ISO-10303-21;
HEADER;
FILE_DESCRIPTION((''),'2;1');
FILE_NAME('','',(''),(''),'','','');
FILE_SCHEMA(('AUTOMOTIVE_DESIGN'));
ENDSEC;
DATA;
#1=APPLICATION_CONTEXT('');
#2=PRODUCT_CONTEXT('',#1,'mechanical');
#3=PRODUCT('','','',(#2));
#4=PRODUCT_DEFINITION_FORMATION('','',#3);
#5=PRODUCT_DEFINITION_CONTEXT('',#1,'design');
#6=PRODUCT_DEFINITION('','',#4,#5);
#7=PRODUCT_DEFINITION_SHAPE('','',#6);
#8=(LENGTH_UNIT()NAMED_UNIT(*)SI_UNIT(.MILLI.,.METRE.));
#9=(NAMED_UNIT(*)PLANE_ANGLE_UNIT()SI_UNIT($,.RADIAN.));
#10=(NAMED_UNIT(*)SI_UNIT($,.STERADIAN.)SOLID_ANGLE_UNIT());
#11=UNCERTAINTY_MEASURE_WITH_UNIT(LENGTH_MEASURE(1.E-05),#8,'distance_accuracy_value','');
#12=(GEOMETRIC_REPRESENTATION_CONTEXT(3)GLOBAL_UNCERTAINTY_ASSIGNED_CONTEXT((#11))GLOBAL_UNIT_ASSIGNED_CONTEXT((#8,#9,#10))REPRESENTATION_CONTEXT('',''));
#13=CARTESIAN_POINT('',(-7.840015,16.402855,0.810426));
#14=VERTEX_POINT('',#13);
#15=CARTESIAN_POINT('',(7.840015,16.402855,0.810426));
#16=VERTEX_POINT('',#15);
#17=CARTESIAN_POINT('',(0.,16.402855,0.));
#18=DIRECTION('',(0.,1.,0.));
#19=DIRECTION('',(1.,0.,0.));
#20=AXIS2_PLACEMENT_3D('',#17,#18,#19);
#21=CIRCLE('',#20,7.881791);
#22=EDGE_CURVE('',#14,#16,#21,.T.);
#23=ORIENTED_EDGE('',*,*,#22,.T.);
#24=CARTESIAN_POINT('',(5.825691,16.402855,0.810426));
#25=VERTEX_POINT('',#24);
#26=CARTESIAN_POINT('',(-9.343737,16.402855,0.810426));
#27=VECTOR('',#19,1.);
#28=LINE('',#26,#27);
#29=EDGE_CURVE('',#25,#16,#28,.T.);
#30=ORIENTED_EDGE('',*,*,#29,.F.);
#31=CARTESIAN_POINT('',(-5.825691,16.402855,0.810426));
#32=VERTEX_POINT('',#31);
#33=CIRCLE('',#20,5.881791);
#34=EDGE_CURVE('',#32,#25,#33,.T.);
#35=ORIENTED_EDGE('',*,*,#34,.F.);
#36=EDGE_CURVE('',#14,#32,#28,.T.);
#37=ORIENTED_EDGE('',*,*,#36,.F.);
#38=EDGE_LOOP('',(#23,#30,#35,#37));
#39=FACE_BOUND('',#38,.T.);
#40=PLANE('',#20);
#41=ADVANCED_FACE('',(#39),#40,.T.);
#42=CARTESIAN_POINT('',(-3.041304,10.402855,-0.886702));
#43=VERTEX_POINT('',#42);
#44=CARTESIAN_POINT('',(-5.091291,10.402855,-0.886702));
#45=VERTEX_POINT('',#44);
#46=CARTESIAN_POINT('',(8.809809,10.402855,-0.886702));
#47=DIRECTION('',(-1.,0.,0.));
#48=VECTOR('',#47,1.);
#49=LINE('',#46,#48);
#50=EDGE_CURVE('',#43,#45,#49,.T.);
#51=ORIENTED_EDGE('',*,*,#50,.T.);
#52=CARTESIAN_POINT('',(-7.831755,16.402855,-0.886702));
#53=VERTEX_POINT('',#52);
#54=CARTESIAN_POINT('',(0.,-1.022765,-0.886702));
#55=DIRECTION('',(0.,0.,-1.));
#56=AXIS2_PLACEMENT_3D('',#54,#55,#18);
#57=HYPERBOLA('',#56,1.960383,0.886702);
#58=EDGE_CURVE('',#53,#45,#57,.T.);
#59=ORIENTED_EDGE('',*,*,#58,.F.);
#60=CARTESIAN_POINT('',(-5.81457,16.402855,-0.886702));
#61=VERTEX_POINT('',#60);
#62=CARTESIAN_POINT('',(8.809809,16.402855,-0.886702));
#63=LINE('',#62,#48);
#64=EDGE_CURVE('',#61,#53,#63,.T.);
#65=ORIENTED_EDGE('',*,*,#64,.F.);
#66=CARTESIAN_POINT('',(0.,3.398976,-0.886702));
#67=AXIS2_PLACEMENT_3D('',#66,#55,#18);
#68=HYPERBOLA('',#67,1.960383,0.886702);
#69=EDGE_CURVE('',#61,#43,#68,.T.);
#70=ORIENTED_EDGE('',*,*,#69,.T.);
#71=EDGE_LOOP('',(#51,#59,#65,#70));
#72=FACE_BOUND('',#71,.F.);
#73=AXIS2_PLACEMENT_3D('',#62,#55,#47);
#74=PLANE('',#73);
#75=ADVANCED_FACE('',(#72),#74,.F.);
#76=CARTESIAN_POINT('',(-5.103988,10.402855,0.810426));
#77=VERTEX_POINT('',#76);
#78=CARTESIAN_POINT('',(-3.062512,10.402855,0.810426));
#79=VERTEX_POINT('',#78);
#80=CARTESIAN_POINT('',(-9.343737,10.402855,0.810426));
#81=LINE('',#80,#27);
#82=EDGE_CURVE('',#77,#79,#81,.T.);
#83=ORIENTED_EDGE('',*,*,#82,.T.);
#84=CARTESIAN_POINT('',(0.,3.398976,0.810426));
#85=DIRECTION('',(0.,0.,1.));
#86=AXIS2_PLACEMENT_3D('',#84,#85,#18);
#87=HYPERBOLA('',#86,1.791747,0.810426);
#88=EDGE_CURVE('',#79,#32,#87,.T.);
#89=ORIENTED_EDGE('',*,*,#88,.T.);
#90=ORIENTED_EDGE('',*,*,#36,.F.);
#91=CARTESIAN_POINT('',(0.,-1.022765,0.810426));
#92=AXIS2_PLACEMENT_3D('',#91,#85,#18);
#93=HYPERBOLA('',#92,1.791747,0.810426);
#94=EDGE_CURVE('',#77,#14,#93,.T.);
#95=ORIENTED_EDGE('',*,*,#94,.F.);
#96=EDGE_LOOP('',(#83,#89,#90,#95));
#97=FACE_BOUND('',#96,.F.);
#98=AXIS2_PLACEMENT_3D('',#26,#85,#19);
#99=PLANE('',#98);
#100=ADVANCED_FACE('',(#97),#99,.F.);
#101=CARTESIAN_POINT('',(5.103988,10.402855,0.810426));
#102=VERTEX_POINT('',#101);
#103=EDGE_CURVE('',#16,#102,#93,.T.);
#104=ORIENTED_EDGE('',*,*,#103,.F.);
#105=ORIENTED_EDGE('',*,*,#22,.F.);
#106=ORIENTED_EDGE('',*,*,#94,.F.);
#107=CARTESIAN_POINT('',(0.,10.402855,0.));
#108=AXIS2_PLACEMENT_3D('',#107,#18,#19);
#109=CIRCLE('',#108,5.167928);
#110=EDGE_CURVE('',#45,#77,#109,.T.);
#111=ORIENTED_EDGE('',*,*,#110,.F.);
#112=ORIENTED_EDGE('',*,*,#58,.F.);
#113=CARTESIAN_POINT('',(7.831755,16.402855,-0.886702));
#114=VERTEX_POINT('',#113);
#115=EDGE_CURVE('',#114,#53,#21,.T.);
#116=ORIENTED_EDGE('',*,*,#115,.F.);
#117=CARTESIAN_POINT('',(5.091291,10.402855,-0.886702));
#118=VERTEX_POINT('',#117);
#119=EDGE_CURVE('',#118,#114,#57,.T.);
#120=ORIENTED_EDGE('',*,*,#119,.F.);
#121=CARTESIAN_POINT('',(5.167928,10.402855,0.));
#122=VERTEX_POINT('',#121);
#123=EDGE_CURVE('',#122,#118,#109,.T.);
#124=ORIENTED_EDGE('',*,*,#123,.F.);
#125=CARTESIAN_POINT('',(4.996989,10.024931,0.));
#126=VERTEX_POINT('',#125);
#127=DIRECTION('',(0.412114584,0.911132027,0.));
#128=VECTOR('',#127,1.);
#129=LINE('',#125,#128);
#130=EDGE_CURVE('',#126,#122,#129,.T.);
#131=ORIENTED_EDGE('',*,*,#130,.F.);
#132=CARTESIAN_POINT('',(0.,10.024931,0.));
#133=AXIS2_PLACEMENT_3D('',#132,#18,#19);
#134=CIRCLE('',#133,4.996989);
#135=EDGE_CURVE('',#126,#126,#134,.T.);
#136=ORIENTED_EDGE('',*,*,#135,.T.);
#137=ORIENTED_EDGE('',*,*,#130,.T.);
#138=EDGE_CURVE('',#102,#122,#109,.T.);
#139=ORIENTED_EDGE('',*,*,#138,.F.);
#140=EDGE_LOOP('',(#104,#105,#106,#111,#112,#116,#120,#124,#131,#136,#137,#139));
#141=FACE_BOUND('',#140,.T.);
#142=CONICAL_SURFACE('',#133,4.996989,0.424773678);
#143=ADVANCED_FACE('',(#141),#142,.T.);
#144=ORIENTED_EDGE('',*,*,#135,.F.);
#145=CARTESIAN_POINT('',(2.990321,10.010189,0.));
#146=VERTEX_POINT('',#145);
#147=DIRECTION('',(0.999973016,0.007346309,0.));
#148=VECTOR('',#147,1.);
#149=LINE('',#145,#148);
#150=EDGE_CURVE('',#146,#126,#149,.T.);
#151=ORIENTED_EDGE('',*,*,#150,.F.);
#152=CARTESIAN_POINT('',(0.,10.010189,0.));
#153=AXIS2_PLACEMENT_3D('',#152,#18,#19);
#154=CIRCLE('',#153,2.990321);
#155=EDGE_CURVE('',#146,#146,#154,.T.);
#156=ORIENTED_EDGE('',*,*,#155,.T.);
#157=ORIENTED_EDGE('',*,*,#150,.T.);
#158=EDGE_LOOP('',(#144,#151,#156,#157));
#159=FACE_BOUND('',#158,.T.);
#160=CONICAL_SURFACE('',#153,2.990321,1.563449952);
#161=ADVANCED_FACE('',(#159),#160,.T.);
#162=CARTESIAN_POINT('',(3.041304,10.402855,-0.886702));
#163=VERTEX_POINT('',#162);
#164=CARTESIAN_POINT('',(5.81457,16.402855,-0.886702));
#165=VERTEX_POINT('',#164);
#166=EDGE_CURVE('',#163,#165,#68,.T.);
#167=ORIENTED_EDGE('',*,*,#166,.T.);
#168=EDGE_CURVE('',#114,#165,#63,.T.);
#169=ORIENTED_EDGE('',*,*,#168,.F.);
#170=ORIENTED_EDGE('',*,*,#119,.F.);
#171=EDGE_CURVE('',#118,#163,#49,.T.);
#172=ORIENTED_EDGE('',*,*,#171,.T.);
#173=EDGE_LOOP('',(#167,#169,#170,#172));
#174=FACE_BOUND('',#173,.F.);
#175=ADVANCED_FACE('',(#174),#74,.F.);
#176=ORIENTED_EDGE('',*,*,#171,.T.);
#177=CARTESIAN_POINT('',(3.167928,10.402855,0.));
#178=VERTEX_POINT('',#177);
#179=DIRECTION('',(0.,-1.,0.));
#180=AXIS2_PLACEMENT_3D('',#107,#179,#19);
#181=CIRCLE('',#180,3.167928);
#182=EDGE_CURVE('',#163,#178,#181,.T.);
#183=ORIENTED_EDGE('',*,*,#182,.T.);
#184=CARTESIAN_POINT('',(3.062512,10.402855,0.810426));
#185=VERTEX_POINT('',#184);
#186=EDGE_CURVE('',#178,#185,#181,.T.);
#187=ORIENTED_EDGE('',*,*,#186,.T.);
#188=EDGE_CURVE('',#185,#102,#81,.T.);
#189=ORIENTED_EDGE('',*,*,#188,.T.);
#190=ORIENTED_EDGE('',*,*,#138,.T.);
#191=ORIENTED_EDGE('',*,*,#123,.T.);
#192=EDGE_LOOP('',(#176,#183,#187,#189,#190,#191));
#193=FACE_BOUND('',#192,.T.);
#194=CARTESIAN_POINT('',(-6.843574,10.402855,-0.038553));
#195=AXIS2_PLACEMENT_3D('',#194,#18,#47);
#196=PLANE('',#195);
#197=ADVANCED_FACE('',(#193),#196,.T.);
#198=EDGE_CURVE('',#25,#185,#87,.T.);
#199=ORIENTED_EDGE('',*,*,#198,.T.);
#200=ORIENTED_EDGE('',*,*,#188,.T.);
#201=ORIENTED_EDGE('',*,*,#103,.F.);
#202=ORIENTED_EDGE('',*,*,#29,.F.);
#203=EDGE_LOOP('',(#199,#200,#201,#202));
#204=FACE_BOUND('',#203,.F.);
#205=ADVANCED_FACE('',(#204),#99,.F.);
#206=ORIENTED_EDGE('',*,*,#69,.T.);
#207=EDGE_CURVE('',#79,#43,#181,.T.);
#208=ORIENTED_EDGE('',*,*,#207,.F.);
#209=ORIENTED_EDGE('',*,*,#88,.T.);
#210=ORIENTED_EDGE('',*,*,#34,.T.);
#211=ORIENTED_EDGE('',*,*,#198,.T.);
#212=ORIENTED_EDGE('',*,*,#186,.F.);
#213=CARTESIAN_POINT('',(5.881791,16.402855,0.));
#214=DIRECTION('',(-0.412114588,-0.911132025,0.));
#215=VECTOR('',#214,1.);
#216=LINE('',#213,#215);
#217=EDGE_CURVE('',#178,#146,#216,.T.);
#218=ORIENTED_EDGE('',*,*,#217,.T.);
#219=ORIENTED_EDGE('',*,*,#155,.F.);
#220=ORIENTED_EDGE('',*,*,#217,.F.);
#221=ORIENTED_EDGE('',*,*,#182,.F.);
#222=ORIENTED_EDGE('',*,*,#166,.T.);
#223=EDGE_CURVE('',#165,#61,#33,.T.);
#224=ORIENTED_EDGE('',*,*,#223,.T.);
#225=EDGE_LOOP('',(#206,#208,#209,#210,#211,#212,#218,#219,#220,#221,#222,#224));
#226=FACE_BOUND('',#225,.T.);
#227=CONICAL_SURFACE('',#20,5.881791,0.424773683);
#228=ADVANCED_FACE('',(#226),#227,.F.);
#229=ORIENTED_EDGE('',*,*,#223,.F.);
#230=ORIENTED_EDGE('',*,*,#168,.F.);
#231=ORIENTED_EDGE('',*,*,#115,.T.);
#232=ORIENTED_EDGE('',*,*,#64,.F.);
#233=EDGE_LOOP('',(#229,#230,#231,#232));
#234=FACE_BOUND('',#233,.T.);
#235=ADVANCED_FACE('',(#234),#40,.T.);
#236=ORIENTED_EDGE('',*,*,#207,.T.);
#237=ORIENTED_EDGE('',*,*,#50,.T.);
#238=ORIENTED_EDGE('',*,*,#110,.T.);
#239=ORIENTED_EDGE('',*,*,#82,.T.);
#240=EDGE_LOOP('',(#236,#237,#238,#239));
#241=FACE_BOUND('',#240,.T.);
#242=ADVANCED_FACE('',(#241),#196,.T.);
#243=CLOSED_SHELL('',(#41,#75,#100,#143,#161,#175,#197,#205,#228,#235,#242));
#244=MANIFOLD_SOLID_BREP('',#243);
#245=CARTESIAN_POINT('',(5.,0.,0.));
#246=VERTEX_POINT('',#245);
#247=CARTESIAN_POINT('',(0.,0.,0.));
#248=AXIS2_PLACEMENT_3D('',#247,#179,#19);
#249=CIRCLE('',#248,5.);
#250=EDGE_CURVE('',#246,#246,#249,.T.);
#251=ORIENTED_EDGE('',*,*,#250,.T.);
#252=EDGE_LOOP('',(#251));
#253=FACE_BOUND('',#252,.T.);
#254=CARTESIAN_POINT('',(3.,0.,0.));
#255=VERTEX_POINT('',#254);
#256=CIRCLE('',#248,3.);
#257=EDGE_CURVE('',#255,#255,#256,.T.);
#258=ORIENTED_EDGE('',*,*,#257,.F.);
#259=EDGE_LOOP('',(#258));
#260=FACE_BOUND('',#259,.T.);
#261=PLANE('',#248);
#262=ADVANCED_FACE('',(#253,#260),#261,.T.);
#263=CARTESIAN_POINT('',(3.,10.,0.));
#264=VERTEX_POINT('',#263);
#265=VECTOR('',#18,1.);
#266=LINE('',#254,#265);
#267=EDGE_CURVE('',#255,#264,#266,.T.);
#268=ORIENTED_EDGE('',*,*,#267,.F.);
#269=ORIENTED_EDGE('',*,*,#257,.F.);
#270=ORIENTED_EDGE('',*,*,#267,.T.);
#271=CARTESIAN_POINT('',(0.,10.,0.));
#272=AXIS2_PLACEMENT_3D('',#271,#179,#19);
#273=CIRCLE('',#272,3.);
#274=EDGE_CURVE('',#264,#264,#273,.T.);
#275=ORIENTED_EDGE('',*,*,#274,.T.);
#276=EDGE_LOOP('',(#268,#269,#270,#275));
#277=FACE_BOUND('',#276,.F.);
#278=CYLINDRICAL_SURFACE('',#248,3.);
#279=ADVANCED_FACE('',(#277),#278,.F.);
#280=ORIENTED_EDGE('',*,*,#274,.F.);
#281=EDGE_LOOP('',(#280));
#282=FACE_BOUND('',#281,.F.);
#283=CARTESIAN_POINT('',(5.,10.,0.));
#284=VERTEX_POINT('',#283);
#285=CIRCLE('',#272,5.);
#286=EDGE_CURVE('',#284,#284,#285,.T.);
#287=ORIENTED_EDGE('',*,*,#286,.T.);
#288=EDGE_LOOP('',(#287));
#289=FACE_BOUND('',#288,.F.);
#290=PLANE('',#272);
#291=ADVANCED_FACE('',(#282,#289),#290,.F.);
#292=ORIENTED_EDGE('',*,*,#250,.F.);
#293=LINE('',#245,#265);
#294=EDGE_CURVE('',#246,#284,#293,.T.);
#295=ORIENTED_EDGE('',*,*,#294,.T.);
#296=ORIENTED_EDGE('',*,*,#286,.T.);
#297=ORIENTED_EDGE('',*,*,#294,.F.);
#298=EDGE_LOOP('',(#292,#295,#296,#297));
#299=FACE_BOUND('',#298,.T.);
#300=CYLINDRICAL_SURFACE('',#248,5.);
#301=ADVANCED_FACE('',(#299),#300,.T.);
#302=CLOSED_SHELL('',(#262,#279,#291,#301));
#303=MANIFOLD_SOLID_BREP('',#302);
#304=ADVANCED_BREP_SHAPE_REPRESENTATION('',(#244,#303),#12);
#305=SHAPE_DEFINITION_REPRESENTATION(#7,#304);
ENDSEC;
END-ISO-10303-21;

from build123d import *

# Parameters (mm, degrees)
F0_R     = 5
F0_R_2   = 3
F1_DEPTH = 10
F6_DEPTH = 6


with BuildPart() as f1:
    # F0 (on Front) → F1 (new body)
    with BuildSketch(Plane.XZ):
        Circle(F0_R)
        Circle(F0_R_2, mode=Mode.SUBTRACT)
    extrude(amount=-F1_DEPTH)


with BuildPart() as f4:
    # F3 (on Top) → F4 (revolve)
    with BuildSketch(Plane.XY):
        Polygon((2.990321, 10.010189), (4.996989, 10.024931), (7.881791, 16.402855), (5.881791, 16.402855), align=None)
    revolve(axis=Axis((0, 16.03541, 0), (0, 1, 0)))

    # F5 (on face) → F6 (cut)
    with BuildSketch(Plane(origin=(0, 16.402855, 0), x_dir=(-1, 0, 0), z_dir=(0, 1, 0))):
        with BuildLine():
            ThreePointArc((7.881791, 0), (7.87134, 0.405751), (7.840015, 0.810426))
            Line((7.840015, 0.810426), (5.825691, 0.810426))
            ThreePointArc((5.825691, 0.810426), (5.867749, 0.406183), (5.881791, 0))
            ThreePointArc((5.881791, 0), (5.864962, -0.444623), (5.81457, -0.886702))
            Line((5.81457, -0.886702), (7.831755, -0.886702))
            ThreePointArc((7.831755, -0.886702), (7.869272, -0.444056), (7.881791, 0))
        make_face()
        with BuildLine():
            Line((9.343737, 0.810426), (7.840015, 0.810426))
            ThreePointArc((7.840015, 0.810426), (7.87134, 0.405751), (7.881791, 0))
            ThreePointArc((7.881791, 0), (7.869272, -0.444056), (7.831755, -0.886702))
            Line((7.831755, -0.886702), (9.343737, -0.886702))
            Line((9.343737, -0.886702), (9.343737, 0.810426))
        make_face()
        with BuildLine():
            Line((5.825691, 0.810426), (-5.825691, 0.810426))
            ThreePointArc((-5.825691, 0.810426), (-5.881665, -0.038541), (-5.81457, -0.886702))
            Line((-5.81457, -0.886702), (5.81457, -0.886702))
            ThreePointArc((5.81457, -0.886702), (5.864962, -0.444623), (5.881791, 0))
            ThreePointArc((5.881791, 0), (5.867749, 0.406183), (5.825691, 0.810426))
        make_face()
        with BuildLine():
            Line((-5.825691, 0.810426), (-7.840015, 0.810426))
            ThreePointArc((-7.840015, 0.810426), (-7.881698, -0.038361), (-7.831755, -0.886702))
            Line((-7.831755, -0.886702), (-5.81457, -0.886702))
            ThreePointArc((-5.81457, -0.886702), (-5.881665, -0.038541), (-5.825691, 0.810426))
        make_face()
        with BuildLine():
            Line((-7.840015, 0.810426), (-8.809809, 0.810426))
            Line((-8.809809, 0.810426), (-8.809809, -0.886702))
            Line((-8.809809, -0.886702), (-7.831755, -0.886702))
            ThreePointArc((-7.831755, -0.886702), (-7.881698, -0.038361), (-7.840015, 0.810426))
        make_face()
    extrude(amount=-F6_DEPTH, mode=Mode.SUBTRACT)


solid = Compound([f1.part, f4.part])
